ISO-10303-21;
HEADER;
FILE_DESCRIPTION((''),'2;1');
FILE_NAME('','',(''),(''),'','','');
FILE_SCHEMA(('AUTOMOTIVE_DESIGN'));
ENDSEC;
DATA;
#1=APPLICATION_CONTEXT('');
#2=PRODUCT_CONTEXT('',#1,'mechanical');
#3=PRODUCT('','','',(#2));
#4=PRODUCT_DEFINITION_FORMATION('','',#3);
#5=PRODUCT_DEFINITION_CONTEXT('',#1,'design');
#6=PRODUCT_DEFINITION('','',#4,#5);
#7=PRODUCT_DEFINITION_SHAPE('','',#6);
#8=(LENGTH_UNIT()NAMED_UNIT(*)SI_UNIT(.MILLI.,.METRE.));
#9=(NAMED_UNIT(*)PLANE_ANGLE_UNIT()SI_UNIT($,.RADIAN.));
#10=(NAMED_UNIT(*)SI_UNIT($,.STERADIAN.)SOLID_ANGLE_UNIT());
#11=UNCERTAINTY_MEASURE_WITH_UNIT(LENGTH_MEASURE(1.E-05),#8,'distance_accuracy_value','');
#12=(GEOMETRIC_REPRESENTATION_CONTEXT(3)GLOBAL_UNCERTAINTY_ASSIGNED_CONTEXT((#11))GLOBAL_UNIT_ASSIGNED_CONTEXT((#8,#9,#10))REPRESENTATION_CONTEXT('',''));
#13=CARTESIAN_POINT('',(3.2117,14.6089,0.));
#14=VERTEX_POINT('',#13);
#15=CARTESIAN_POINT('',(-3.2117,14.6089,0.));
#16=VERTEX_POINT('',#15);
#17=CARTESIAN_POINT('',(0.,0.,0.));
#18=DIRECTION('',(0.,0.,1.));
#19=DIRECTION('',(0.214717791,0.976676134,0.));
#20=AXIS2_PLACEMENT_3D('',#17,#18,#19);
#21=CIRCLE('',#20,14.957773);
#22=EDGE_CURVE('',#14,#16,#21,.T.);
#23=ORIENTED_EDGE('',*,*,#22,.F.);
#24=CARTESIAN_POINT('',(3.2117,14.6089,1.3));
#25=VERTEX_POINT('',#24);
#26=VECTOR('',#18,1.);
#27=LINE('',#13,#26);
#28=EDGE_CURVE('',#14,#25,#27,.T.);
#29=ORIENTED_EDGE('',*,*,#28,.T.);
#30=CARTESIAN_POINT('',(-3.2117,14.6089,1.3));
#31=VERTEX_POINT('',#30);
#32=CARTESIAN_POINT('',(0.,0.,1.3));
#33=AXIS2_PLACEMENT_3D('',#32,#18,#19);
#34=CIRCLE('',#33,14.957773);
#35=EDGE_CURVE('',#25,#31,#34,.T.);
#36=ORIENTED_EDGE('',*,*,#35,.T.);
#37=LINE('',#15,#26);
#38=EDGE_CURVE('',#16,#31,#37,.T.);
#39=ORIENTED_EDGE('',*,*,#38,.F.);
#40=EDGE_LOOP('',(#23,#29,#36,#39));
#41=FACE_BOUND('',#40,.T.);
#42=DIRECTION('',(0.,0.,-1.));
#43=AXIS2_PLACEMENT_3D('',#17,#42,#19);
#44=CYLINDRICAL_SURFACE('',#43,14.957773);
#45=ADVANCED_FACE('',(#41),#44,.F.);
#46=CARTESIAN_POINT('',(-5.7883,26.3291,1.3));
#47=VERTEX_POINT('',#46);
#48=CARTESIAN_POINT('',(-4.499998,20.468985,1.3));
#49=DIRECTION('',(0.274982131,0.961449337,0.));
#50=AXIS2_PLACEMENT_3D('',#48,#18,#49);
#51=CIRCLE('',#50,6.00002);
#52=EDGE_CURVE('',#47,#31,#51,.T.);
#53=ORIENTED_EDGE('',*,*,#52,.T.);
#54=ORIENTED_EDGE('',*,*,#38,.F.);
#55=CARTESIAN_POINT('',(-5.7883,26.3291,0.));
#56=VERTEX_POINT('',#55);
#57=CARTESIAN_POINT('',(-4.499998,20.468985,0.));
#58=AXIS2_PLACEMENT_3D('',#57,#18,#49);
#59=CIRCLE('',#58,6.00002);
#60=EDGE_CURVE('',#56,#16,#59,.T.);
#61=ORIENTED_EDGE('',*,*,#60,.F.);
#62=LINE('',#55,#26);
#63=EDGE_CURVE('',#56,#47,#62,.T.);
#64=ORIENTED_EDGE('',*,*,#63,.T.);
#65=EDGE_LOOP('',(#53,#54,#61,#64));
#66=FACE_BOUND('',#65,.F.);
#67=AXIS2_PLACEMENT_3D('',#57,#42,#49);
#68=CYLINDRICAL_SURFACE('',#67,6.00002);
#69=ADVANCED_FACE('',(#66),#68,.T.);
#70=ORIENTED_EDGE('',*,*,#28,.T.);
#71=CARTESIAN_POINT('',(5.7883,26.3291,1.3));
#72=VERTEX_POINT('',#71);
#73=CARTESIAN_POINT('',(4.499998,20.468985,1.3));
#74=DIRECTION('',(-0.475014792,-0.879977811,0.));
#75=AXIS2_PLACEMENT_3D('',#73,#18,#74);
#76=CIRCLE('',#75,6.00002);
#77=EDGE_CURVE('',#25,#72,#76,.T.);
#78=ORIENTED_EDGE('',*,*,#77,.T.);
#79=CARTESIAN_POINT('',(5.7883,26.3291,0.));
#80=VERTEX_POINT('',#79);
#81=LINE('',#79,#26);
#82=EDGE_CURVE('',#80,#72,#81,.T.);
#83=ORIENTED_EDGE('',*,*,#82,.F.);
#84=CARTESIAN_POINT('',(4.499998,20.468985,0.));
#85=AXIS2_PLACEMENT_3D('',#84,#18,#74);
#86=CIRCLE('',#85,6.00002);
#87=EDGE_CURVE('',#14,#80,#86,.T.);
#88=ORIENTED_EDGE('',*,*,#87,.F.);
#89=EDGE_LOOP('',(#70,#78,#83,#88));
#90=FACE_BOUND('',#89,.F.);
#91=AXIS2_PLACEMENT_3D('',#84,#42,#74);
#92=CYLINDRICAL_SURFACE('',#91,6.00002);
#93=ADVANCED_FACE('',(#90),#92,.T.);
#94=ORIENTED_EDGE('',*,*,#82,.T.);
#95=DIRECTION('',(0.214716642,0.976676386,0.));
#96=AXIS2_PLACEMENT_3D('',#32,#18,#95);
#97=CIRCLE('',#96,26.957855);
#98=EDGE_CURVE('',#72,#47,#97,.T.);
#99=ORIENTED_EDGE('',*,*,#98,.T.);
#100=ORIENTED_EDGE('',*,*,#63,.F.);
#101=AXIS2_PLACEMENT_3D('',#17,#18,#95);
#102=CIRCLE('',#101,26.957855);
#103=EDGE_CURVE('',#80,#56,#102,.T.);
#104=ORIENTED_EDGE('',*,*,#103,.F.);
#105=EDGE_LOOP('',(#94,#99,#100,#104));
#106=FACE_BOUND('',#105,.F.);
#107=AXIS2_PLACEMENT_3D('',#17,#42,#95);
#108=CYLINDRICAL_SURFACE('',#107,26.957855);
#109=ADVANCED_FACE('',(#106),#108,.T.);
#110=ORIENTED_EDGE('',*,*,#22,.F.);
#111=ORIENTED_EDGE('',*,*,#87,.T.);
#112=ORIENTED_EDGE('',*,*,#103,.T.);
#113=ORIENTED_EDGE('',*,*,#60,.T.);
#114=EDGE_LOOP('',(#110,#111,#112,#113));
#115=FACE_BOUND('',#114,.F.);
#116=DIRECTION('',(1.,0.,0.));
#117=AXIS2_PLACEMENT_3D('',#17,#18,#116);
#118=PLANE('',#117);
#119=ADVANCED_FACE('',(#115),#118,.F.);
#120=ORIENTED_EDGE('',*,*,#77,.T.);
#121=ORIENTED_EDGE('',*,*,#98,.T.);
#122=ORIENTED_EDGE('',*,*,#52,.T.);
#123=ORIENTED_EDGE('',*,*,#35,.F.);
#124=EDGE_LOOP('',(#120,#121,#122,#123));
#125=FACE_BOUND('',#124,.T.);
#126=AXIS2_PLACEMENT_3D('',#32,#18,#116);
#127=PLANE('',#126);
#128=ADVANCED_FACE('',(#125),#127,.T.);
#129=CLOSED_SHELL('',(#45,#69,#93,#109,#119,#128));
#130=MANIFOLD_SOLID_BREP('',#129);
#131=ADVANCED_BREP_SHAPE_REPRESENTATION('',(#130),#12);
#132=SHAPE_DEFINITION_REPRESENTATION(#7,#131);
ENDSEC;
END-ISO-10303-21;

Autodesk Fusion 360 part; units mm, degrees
sketch "Sketch1" plane through (0, 0, 0) normal (0, 0, 1) x (1, 0, 0)
  line L0 (-18.15, -10.4789) -> (0, 20.9578) construction
  line L1 (0, 20.9578) -> (18.15, -10.4789) construction
  line L2 (18.15, -10.4789) -> (-18.15, -10.4789) construction
  circle A0 centre (0, 0) radius 20.9578 construction
  line L3 (4.5, 20.469) -> (-4.5, 20.469) construction
  line L4 (0, 20.469) -> (0, 20.9578) construction
  arc A1 (5.7883, 26.3291) -> (-5.7883, 26.3291) centre (0, 0) ccw
  arc A2 (3.2117, 14.6089) -> (-3.2117, 14.6089) centre (0, 0) ccw
  arc A3 (-5.9382, 20.0989) -> (-2.8501, 26.2377) centre (0, 20.9578) ccw construction
  arc A4 (2.8501, 26.2377) -> (-1.0433, 22.7649) centre (4.5, 20.469) ccw construction
  arc A5 (1.4841, 20.9052) -> (-2.8501, 26.2377) centre (-4.5, 20.469) ccw construction
  arc A6 (-2.8501, 26.2377) -> (-1.6499, 15.1891) centre (-4.5, 20.469) ccw
  arc A7 (0, 16.5004) -> (1.4841, 20.9052) centre (-4.5, 20.469) ccw
  arc A8 (-1.6499, 15.1891) -> (0, 16.5004) centre (-4.5, 20.469) ccw construction
  arc A9 (-1.4841, 20.9052) -> (0, 16.5004) centre (4.5, 20.469) ccw
  arc A10 (1.6499, 15.1891) -> (2.8501, 26.2377) centre (4.5, 20.469) ccw
  arc A11 (0, 16.5004) -> (1.6499, 15.1891) centre (4.5, 20.469) ccw construction
  dimension "d1" = 60
  dimension "d2" = 60
  dimension "d3" = 60
  dimension "d4" = 36.3
  dimension "d5" = 12
  dimension "d7" = 12
  dimension "d8" = 12
  dimension "d9" = 9
extrude "Extrude1" add sketch "Sketch1" along normal blind 1.3
equation "d5 = coil_dia"
equation "coil_dia = 12 mm"
equation "d7 = coil_dia"
equation "d8 = coil_dia"
equation "d9 = coil_dia * 0.75"
